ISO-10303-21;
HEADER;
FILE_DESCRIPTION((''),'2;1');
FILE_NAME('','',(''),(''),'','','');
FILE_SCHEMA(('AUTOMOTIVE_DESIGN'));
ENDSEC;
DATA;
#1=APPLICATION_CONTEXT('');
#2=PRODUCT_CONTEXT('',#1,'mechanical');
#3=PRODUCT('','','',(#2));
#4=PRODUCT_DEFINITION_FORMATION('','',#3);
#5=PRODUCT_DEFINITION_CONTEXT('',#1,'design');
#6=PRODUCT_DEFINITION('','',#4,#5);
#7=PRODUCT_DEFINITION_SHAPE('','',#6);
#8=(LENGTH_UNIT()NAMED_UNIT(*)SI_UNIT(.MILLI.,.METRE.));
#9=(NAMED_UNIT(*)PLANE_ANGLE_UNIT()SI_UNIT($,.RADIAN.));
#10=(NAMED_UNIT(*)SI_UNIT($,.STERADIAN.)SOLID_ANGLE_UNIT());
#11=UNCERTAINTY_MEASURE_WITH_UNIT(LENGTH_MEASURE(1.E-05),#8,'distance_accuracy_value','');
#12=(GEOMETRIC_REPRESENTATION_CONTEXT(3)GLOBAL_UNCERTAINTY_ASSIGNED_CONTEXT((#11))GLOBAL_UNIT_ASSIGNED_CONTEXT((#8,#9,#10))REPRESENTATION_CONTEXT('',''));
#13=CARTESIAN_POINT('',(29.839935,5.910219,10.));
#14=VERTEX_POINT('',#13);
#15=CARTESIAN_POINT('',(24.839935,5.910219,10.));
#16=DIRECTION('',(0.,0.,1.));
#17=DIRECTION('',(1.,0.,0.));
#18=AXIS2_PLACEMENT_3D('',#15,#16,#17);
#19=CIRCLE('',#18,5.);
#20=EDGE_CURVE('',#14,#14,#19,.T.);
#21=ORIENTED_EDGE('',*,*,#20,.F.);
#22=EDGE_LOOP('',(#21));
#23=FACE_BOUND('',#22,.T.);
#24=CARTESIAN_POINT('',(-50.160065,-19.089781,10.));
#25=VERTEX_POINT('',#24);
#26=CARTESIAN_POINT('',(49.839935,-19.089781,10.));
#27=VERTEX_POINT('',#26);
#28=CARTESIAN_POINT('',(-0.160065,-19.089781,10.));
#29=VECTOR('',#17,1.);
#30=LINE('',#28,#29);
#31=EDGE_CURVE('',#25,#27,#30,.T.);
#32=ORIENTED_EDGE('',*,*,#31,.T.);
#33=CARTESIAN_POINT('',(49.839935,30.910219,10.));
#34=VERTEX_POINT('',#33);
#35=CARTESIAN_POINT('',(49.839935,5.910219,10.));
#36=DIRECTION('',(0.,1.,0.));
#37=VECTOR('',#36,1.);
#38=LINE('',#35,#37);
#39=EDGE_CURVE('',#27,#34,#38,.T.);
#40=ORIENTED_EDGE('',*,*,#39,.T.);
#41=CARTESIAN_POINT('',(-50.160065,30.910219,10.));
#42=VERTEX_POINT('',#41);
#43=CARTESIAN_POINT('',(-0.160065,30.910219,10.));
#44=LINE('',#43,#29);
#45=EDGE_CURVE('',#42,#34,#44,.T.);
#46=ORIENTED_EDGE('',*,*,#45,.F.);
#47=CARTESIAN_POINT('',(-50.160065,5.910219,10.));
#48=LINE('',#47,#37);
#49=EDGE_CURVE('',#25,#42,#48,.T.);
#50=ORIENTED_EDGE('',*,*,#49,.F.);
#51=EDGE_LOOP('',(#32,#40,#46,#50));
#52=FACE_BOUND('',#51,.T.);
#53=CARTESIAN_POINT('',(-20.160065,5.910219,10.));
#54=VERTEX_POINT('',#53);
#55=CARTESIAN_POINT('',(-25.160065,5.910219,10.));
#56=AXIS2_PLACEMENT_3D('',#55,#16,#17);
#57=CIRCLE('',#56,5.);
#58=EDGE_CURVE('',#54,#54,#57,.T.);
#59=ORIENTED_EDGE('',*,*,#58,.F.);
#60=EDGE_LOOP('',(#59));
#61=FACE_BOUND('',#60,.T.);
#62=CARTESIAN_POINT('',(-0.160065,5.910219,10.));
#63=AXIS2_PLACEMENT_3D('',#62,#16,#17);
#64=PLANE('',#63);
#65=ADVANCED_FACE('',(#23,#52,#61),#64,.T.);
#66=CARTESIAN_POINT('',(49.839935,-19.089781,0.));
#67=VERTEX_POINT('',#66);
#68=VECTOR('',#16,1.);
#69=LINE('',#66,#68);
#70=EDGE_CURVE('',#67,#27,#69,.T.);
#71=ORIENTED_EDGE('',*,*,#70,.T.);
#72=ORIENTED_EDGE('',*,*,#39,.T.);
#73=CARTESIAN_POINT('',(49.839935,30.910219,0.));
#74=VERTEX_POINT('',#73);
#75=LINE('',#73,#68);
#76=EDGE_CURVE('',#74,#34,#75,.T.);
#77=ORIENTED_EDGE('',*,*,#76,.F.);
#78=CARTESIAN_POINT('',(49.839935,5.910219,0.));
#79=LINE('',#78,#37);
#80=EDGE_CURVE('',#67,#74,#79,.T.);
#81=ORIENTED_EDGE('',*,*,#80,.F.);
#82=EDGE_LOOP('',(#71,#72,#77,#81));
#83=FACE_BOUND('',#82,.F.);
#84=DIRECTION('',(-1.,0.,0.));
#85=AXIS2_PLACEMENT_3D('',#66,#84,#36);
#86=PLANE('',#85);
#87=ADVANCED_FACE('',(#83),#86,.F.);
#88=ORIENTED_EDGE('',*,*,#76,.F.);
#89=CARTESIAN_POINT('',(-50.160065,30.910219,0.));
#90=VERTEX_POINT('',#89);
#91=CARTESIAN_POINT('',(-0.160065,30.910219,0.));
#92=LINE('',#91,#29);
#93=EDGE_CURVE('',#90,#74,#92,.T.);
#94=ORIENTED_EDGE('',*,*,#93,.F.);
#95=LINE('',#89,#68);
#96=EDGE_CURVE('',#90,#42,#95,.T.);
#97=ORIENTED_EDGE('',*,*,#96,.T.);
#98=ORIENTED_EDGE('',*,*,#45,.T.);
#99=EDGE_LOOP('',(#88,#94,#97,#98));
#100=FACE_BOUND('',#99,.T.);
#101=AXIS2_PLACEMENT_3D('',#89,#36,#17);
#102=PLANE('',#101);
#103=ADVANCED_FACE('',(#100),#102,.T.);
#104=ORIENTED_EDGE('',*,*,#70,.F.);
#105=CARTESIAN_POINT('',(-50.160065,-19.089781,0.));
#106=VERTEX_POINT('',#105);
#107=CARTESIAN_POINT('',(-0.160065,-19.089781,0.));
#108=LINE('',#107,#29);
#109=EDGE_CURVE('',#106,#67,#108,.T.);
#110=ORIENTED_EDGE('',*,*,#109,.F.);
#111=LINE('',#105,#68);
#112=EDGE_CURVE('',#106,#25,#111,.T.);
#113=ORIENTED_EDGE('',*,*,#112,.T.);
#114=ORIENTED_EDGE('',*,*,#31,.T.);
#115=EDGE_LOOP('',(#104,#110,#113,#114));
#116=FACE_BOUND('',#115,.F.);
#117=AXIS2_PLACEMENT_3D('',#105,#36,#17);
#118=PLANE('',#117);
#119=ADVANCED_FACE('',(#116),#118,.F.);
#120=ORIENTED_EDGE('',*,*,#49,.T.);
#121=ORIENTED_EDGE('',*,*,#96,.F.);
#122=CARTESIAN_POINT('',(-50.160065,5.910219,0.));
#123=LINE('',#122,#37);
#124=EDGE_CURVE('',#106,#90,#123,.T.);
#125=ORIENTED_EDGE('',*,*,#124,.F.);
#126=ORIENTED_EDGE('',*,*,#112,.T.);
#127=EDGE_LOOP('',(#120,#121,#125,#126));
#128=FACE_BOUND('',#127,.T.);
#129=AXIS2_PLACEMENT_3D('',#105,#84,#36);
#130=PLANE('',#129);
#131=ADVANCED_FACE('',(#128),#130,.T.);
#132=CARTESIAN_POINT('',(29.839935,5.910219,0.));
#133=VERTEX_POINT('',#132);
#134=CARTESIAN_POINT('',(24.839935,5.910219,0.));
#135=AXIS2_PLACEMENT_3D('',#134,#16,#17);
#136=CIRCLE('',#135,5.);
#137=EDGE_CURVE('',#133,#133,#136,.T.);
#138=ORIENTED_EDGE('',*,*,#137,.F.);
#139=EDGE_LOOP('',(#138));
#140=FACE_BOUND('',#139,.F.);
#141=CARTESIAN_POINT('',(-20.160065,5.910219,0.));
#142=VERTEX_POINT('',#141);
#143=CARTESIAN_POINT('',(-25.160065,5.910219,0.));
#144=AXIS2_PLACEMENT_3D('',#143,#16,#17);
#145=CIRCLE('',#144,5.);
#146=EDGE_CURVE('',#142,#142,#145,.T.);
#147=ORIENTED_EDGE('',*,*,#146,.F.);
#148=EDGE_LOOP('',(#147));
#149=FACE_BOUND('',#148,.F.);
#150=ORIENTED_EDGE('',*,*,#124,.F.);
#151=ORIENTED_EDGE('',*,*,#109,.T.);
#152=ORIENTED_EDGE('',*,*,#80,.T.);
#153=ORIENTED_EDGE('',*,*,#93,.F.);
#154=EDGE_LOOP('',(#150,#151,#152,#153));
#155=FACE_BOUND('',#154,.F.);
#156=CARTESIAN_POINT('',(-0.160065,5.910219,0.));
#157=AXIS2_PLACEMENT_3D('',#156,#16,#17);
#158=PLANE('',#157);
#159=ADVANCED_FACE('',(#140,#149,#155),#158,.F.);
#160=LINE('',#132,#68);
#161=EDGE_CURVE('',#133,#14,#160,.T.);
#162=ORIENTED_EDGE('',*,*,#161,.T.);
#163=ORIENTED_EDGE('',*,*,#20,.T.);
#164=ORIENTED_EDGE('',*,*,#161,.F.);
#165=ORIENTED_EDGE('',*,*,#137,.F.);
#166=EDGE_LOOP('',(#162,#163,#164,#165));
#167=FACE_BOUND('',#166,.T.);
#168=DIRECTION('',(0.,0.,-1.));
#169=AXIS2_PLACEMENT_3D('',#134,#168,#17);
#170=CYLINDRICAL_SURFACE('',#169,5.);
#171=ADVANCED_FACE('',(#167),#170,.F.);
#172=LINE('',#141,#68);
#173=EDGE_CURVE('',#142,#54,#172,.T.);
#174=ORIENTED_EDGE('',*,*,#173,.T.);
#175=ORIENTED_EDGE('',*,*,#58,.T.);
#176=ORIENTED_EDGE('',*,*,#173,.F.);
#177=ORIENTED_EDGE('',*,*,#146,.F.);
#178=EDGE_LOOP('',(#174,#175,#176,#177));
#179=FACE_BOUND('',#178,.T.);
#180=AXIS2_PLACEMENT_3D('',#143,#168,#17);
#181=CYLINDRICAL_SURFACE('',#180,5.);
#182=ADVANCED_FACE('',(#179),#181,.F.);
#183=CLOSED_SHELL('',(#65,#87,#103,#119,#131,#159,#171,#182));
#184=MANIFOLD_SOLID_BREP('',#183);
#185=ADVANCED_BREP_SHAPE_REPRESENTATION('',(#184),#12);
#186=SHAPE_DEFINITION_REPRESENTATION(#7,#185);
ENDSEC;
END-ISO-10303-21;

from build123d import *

# Parameters (mm, degrees)
SKETCH_W  = 100
SKETCH_H  = 50
SKETCH_R  = 5
PAD_DEPTH = 10


with BuildPart() as part:
    # Sketch → Pad (new body)
    with BuildSketch(Plane.XY):
        with Locations((-0.160065, 5.910219)):
            Rectangle(SKETCH_W, SKETCH_H)
        with Locations((-25.160065, 5.910219)):
            Circle(SKETCH_R, mode=Mode.SUBTRACT)
        with Locations((24.839935, 5.910219)):
            Circle(SKETCH_R, mode=Mode.SUBTRACT)
    extrude(amount=PAD_DEPTH)


solid = part.part
